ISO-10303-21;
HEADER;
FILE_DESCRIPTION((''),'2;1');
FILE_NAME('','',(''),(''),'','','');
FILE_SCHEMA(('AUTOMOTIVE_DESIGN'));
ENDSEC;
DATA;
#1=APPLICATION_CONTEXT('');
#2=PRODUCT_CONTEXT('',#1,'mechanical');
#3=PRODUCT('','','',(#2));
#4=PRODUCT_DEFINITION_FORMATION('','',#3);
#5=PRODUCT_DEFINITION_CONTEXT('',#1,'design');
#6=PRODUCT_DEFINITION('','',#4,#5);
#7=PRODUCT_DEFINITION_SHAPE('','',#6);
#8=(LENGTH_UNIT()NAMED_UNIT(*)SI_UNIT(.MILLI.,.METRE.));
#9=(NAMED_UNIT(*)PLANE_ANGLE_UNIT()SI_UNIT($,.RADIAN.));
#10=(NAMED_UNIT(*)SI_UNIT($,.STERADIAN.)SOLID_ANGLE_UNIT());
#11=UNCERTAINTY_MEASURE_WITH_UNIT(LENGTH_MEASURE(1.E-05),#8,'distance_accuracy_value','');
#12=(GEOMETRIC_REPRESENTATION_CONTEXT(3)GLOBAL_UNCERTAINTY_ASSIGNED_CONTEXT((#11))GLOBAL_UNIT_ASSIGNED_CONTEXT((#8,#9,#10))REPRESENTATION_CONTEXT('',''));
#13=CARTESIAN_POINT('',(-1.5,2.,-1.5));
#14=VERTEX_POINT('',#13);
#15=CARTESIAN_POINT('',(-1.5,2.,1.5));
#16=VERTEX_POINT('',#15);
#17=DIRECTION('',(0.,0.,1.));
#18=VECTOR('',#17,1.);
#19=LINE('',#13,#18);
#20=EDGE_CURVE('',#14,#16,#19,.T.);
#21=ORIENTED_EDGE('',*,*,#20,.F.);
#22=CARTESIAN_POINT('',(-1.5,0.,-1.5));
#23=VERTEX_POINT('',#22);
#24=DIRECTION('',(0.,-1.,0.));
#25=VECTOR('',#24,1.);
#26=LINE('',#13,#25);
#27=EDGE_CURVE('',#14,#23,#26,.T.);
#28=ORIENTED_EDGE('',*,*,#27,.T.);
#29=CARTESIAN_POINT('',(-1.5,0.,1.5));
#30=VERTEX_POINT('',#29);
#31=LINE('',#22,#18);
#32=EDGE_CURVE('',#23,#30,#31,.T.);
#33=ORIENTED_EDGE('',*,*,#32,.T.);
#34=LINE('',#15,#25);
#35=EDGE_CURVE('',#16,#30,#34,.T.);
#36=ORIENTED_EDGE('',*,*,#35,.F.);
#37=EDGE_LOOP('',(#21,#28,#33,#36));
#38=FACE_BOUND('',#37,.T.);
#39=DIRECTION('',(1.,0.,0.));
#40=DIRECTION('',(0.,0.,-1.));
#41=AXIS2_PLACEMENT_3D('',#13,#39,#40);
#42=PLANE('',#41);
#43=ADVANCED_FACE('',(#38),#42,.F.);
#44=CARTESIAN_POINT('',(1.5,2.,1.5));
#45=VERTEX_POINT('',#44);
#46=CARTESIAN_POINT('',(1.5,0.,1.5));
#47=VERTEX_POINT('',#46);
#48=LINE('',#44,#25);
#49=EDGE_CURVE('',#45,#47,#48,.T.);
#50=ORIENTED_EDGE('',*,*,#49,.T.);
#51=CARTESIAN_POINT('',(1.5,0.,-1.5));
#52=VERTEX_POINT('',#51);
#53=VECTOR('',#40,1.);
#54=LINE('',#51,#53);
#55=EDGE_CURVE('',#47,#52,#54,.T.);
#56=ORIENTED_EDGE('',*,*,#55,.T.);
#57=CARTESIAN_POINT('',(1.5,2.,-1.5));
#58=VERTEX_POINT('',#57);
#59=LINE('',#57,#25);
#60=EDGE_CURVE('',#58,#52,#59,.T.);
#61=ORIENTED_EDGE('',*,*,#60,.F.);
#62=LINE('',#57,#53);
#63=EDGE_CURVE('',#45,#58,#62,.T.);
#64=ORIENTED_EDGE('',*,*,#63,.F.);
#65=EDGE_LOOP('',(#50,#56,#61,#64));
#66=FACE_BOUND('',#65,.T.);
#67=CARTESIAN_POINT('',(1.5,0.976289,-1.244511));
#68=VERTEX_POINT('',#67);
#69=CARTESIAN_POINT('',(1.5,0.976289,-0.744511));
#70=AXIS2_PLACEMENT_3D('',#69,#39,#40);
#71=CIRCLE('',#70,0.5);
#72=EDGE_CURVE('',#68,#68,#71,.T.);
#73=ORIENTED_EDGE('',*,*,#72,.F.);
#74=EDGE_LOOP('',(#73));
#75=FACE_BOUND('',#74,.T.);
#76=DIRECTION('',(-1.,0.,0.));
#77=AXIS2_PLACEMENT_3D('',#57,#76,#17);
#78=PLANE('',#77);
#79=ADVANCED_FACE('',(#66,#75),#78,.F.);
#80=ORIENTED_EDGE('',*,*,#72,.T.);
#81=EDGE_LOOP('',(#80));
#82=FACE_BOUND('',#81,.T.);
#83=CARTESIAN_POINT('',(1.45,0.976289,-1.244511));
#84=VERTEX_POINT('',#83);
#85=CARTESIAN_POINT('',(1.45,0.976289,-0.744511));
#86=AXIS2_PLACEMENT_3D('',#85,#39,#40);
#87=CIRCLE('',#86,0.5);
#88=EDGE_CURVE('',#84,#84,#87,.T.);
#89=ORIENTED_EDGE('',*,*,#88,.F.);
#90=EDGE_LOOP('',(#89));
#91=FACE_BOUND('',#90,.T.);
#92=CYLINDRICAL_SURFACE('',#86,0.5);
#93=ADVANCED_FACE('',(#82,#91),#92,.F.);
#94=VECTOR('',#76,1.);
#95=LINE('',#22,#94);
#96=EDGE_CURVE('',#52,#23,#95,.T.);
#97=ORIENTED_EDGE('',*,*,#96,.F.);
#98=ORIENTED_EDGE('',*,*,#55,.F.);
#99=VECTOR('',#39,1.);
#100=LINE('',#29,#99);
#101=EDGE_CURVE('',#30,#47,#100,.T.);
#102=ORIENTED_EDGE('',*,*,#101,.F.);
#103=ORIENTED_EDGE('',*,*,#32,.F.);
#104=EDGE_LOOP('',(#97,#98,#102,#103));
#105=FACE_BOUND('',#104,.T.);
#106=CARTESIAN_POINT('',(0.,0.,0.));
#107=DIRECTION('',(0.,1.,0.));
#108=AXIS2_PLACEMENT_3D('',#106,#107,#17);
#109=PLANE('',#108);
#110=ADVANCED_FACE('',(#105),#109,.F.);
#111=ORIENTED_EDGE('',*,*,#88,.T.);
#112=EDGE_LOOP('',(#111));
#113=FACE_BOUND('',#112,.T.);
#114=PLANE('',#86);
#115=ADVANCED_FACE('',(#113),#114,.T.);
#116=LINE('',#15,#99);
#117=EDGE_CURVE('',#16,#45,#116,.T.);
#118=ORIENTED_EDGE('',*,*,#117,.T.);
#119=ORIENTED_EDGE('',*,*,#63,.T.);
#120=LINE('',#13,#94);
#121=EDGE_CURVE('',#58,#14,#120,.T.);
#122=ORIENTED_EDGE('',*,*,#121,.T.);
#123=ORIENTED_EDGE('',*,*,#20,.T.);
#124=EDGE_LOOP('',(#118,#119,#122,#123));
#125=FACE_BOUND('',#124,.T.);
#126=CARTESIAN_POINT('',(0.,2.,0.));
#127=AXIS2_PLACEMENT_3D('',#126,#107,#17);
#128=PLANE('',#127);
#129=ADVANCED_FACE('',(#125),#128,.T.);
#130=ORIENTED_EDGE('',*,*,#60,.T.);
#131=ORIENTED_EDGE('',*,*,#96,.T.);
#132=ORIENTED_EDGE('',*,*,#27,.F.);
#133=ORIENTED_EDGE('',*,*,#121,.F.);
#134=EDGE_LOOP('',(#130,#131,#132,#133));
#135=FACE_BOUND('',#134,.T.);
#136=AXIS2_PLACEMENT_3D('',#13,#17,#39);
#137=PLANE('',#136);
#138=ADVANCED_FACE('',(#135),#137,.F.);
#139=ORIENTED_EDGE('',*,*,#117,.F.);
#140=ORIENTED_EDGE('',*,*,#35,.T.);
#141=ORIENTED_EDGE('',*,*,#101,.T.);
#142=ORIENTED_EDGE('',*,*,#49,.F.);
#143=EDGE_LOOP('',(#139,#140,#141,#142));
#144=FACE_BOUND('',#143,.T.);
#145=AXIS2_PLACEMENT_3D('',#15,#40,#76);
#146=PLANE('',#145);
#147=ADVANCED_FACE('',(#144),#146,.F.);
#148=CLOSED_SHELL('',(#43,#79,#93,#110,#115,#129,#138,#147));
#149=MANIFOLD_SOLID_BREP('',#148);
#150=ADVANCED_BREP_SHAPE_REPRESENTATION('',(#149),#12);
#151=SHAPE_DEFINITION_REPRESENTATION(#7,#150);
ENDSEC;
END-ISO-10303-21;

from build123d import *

# Parameters (mm, degrees)
SKETCH1_W           = 3
SKETCH1_H           = 3
BOSS_EXTRUDE1_DEPTH = 2
SKETCH2_R           = 0.5
CUT_EXTRUDE1_DEPTH  = 0.05


with BuildPart() as part:
    # Sketch1 → Boss-Extrude1 (new body)
    with BuildSketch(Plane(origin=(0, 0, 0), x_dir=(1, 0, 0), z_dir=(0, 1, 0))):
        Rectangle(SKETCH1_W, SKETCH1_H)
    extrude(amount=BOSS_EXTRUDE1_DEPTH)

    # Sketch2 → Cut-Extrude1 (cut)
    with BuildSketch(Plane(origin=(1.5, 0, 0), x_dir=(0, 0, -1), z_dir=(1, 0, 0))):
        with Locations((0.744511032, 0.976289458)):
            Circle(SKETCH2_R)
    extrude(amount=-CUT_EXTRUDE1_DEPTH, mode=Mode.SUBTRACT)


solid = part.part
